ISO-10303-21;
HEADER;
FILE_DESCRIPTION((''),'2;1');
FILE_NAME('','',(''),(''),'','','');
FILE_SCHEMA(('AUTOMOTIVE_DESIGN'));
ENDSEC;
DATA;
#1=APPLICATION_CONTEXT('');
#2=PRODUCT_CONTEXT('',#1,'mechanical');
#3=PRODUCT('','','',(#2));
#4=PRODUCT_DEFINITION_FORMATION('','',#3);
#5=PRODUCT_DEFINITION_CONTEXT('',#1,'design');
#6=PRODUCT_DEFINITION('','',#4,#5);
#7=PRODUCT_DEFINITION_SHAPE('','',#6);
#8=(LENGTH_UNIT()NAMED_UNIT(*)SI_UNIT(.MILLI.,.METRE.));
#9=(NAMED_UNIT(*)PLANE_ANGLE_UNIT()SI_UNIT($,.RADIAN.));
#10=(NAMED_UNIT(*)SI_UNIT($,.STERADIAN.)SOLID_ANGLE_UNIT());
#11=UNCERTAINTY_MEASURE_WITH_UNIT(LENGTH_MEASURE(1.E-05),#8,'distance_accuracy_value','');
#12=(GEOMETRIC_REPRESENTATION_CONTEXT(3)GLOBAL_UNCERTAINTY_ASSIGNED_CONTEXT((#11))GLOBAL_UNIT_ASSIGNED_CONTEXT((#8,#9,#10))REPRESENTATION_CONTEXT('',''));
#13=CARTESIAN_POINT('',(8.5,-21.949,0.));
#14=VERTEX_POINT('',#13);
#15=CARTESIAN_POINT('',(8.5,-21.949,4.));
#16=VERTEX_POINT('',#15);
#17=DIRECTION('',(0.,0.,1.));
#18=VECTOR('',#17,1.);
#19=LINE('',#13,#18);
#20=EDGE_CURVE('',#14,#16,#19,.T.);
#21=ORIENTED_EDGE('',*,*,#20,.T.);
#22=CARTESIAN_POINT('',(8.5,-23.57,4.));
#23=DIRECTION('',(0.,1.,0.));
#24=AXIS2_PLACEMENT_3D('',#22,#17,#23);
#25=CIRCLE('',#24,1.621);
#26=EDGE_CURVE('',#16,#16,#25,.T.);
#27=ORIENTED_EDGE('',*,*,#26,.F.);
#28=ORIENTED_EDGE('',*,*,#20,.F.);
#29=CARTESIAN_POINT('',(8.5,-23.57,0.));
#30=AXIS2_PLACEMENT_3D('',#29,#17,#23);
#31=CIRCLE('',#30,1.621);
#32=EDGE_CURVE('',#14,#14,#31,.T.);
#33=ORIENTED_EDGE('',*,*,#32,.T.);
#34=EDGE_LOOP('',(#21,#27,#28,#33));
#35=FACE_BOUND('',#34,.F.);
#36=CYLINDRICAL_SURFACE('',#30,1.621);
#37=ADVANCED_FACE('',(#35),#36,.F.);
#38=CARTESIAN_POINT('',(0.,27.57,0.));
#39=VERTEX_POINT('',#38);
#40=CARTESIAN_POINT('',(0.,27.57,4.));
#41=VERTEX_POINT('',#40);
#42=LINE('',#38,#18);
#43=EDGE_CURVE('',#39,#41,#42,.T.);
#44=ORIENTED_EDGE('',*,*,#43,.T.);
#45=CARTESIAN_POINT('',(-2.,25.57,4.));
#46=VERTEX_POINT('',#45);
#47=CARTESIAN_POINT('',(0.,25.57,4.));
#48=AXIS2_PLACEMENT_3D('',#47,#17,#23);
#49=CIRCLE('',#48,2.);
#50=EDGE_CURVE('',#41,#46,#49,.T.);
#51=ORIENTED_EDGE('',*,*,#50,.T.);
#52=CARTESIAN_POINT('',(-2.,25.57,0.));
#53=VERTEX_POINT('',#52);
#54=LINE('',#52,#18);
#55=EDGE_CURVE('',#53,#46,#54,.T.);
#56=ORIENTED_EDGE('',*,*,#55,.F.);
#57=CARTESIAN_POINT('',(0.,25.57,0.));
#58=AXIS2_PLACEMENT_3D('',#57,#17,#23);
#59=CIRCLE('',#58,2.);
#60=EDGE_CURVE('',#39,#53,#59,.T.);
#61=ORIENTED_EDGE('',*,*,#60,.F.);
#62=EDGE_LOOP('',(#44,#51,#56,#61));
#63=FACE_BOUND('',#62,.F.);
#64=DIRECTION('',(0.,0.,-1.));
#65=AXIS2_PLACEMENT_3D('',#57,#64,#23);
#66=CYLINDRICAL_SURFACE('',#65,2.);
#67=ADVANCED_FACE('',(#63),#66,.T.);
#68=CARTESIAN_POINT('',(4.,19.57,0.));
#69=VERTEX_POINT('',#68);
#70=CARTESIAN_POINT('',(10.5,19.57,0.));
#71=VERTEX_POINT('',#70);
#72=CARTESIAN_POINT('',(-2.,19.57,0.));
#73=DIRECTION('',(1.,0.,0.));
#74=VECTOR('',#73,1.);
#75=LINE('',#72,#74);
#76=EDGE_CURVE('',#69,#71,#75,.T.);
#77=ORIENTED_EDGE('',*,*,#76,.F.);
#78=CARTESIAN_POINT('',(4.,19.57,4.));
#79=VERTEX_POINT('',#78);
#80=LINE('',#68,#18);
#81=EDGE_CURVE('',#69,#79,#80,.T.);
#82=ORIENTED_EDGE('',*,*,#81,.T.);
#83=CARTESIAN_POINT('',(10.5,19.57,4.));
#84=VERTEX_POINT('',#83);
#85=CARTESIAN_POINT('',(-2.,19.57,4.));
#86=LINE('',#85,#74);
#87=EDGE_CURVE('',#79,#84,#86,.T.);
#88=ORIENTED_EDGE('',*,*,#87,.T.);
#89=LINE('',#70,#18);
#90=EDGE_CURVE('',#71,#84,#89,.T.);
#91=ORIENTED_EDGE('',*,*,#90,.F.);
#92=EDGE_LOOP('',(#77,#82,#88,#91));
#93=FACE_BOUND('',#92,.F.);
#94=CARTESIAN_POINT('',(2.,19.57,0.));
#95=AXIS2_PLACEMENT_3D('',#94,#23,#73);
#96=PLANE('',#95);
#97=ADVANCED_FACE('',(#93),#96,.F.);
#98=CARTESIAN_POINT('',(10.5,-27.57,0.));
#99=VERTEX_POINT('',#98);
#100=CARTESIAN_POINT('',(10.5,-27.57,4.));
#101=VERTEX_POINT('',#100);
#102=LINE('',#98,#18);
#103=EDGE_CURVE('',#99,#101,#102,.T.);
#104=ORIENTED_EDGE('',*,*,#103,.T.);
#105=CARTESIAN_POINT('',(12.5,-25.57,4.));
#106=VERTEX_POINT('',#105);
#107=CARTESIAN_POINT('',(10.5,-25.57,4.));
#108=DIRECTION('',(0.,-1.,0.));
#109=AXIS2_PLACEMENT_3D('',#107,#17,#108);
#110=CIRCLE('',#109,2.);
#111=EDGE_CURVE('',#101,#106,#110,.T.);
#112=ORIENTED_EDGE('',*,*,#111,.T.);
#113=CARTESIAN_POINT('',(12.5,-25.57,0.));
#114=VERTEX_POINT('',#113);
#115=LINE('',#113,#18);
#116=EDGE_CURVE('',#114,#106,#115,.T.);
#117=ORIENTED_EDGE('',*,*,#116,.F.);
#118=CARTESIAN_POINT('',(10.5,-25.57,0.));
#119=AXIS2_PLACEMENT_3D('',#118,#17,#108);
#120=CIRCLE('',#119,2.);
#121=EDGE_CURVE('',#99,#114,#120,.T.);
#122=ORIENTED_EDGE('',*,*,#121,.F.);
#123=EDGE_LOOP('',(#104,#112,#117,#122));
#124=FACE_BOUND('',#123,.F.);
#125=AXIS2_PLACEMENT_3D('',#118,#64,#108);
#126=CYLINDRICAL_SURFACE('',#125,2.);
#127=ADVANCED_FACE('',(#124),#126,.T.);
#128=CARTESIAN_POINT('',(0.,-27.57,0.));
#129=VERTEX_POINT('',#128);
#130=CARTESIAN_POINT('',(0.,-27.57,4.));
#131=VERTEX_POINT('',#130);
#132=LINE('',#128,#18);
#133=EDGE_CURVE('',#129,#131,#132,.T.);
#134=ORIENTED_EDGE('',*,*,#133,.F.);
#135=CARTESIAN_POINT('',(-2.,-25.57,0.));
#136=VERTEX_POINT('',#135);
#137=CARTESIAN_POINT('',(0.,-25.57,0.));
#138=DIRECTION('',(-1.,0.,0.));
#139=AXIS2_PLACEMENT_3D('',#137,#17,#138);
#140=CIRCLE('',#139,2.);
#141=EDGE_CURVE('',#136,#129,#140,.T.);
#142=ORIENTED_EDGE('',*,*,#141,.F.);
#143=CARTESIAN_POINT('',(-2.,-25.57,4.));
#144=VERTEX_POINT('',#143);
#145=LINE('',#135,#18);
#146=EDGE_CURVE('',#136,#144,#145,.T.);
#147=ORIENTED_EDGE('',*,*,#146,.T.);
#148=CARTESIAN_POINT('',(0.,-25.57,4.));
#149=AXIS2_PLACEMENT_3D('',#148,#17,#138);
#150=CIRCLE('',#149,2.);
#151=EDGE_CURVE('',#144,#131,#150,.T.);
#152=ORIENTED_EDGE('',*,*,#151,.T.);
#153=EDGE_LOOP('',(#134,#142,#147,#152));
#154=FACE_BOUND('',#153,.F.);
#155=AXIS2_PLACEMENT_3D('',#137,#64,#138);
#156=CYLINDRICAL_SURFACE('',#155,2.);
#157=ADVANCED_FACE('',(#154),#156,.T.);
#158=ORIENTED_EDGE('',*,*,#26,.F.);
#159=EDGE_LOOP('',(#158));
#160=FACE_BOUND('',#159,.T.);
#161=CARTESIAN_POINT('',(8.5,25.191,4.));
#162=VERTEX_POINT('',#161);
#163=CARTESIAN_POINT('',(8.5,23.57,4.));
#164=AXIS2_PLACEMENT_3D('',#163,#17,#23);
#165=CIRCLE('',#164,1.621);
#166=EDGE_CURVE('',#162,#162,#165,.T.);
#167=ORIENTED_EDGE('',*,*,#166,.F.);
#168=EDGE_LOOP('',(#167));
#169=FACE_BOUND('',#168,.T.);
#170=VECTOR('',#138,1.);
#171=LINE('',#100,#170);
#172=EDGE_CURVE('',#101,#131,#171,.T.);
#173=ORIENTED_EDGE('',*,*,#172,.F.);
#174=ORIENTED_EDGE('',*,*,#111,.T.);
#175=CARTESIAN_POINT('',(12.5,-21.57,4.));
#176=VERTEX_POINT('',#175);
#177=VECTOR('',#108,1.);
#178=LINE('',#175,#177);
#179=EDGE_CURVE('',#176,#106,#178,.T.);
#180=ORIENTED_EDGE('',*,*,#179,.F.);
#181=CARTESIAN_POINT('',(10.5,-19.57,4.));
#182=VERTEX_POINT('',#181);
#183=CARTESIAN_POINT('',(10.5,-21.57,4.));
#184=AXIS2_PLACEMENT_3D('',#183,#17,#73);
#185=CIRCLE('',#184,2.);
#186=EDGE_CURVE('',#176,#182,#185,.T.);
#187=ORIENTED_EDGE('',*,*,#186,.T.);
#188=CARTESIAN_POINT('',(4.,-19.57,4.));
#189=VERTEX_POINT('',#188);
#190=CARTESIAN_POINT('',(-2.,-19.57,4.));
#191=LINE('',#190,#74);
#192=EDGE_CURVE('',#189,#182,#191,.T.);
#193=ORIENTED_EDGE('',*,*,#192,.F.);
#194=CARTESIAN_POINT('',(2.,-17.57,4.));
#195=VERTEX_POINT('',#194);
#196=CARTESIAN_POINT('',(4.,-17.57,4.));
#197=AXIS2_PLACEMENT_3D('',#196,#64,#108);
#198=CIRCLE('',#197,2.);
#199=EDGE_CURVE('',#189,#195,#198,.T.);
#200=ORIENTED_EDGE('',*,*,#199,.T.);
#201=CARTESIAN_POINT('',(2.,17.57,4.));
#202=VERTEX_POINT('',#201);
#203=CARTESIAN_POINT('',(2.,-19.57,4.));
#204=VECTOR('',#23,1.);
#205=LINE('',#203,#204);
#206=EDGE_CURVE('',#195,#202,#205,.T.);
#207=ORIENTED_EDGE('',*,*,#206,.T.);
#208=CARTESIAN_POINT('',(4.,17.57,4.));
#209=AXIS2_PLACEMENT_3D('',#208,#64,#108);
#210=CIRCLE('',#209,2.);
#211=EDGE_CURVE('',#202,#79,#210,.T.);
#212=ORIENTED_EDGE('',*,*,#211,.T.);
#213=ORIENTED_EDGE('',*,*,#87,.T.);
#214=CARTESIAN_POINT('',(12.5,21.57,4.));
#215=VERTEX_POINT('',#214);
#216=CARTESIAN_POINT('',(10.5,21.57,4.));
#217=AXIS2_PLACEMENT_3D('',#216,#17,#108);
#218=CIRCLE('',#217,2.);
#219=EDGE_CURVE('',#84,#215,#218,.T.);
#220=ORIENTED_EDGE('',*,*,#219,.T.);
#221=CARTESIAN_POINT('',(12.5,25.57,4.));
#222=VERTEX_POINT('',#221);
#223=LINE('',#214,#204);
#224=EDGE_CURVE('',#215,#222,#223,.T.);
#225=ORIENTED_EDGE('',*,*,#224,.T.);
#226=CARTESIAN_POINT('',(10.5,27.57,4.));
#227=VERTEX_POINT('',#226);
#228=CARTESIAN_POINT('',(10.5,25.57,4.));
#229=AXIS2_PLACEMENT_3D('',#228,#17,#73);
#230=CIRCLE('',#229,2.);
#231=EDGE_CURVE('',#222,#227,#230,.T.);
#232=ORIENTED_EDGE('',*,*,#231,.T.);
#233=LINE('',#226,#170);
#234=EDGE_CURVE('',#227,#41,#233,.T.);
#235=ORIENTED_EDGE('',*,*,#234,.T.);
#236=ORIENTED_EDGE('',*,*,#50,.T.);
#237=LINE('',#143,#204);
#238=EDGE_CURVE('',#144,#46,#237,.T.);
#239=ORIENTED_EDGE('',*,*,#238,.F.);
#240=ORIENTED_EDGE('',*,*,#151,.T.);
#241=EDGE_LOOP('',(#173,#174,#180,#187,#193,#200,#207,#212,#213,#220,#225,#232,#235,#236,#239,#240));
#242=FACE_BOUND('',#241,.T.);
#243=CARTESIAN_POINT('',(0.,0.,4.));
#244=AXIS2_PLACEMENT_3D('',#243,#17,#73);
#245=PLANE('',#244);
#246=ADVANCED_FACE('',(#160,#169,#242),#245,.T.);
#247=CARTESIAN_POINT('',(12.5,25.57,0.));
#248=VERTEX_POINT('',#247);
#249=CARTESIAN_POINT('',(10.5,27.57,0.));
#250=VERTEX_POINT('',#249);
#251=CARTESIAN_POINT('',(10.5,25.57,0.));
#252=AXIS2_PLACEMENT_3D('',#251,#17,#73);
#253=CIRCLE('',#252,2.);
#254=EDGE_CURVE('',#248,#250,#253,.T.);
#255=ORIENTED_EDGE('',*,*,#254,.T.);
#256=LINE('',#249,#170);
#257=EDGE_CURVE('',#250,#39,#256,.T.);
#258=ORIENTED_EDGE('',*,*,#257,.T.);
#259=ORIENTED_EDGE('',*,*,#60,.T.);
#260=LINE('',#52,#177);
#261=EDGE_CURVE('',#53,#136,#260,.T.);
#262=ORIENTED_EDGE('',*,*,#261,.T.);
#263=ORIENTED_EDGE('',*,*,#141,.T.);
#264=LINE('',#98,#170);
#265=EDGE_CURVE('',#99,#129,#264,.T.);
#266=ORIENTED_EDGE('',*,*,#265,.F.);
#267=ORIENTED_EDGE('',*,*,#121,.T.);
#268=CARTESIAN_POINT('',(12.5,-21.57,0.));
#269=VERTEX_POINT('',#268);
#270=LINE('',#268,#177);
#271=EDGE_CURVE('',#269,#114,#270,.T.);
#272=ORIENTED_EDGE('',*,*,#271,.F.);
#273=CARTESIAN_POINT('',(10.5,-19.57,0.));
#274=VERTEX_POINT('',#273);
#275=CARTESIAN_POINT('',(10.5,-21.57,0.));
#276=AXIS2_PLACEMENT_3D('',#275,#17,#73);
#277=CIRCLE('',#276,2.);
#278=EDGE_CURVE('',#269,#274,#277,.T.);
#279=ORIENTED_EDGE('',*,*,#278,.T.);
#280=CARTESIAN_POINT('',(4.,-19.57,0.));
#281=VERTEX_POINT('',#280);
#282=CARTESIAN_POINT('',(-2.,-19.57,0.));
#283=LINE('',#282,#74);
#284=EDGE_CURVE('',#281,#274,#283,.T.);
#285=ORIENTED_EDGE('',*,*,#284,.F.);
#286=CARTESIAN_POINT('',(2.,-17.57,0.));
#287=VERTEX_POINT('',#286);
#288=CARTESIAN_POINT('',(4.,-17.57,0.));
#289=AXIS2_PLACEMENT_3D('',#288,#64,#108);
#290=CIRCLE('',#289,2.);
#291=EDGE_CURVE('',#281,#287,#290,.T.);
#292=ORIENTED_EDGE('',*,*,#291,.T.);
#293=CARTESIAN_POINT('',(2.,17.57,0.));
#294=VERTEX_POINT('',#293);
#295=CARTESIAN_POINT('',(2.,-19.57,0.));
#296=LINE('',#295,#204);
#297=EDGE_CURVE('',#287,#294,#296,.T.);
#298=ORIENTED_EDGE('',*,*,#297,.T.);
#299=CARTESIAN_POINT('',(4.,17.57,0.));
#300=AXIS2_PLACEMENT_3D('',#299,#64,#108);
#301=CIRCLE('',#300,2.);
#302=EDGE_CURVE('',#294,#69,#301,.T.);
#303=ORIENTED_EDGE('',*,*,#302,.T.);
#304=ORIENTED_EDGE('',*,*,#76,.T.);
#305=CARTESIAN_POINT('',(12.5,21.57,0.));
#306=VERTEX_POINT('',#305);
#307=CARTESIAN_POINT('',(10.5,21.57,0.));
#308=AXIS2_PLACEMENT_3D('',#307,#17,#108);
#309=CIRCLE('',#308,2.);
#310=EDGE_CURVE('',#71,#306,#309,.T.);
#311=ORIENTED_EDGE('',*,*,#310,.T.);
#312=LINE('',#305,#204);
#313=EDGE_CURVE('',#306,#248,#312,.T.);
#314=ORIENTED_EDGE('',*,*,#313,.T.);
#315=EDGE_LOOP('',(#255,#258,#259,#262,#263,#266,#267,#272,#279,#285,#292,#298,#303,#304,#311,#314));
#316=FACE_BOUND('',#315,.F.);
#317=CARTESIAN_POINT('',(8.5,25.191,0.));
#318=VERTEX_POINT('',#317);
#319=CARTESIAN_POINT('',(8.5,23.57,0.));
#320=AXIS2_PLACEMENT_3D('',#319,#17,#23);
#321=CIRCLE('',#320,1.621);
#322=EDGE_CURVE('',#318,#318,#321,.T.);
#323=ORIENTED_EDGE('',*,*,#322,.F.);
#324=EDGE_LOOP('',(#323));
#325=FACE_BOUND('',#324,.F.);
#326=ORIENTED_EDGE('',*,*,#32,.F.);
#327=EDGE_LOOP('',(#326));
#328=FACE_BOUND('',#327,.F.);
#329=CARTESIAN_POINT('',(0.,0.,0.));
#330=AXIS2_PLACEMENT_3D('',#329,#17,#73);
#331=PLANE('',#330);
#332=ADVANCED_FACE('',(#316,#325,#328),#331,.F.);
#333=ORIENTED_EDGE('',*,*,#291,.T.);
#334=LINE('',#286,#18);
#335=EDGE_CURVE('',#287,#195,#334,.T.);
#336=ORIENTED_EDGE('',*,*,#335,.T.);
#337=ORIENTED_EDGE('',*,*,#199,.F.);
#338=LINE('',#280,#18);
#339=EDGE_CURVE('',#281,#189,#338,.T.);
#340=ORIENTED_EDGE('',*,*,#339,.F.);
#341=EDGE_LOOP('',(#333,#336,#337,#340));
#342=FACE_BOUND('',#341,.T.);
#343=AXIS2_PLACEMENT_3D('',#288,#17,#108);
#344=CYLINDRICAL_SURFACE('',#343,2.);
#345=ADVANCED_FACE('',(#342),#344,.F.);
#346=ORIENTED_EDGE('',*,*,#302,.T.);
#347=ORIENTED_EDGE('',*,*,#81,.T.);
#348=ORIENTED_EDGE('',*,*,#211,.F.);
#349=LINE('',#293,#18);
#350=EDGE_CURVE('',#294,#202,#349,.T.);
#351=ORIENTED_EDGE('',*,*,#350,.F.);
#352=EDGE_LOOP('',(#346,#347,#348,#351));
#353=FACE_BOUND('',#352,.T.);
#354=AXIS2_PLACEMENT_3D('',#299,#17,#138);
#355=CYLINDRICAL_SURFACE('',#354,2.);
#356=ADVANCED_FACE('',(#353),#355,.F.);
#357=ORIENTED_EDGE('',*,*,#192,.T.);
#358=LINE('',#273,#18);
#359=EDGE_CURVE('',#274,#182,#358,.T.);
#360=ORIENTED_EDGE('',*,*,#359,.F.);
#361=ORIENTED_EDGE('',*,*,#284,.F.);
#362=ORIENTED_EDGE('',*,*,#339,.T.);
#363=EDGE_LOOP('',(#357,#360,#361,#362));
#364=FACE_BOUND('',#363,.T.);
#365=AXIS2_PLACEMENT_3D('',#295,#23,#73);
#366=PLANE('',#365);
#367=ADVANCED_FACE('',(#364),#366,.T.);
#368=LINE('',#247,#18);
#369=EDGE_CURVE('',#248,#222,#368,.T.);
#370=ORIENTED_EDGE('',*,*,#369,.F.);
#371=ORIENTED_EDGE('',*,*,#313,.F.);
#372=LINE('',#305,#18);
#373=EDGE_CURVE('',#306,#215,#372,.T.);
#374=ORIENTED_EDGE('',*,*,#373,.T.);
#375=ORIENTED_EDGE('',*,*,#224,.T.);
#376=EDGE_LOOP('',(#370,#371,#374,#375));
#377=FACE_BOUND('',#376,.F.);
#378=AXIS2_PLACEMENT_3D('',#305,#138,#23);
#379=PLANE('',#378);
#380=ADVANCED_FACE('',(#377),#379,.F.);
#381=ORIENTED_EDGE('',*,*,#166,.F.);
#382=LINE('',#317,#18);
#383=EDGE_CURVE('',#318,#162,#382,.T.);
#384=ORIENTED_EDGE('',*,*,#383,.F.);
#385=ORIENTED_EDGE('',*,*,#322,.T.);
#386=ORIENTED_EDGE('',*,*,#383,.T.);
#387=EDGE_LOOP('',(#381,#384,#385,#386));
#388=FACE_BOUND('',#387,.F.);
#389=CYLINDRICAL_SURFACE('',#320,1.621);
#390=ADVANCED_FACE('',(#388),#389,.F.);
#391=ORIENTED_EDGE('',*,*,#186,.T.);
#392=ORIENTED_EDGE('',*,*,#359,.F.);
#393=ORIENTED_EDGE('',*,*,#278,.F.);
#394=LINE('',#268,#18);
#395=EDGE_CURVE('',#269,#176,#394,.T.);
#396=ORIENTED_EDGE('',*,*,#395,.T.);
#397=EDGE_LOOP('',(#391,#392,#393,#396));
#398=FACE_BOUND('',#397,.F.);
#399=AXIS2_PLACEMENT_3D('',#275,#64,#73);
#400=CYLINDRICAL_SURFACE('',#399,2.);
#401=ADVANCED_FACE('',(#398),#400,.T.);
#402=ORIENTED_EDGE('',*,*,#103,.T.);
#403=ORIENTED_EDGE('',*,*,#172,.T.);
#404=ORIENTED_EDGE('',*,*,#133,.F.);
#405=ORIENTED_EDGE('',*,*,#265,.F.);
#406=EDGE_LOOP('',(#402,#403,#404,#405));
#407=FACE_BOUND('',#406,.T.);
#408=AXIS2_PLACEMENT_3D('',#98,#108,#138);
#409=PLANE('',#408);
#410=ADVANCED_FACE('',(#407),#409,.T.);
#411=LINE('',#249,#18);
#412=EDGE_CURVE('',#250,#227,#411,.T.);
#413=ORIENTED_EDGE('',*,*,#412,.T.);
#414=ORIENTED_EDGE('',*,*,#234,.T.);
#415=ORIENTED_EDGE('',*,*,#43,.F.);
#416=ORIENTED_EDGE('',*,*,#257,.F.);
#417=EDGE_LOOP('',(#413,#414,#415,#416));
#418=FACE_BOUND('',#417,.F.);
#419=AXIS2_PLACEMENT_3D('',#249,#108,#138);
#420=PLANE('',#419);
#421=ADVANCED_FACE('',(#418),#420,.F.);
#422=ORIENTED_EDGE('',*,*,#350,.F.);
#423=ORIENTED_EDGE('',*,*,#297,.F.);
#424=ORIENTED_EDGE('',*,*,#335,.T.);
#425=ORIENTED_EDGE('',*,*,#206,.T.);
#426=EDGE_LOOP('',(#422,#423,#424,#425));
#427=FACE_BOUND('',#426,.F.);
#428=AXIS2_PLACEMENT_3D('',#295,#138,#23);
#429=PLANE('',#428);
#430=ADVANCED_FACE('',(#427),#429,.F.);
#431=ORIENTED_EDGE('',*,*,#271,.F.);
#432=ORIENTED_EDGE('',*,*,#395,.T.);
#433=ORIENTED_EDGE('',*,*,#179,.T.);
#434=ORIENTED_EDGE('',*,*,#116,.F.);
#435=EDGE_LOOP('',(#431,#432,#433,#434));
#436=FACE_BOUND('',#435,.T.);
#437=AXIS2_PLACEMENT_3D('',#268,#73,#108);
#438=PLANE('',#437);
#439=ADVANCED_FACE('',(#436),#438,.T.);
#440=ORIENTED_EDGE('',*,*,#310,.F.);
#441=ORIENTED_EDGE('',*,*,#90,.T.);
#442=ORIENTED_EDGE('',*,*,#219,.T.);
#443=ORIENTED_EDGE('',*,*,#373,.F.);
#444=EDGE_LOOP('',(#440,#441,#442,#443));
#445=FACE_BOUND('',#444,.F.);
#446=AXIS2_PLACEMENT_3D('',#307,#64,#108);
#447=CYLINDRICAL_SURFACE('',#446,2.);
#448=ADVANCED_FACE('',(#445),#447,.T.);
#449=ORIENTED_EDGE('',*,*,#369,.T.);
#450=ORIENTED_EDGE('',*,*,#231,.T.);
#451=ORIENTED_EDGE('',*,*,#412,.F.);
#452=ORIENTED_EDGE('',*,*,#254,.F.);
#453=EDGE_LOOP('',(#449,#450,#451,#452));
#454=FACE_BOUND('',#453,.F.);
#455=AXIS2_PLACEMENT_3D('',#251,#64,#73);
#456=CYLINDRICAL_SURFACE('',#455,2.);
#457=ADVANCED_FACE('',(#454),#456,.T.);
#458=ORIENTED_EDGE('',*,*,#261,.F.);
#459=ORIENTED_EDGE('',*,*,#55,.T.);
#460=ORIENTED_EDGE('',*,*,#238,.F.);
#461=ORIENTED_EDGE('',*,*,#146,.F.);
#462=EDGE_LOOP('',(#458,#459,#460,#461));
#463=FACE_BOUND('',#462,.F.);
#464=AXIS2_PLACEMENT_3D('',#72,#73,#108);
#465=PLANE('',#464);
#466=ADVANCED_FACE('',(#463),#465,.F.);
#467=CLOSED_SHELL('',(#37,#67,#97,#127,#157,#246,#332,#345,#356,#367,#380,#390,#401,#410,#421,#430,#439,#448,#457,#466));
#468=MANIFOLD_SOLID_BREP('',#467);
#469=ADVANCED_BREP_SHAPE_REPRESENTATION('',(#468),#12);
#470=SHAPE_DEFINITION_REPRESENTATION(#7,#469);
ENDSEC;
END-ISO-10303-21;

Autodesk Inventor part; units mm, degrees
ref_plane "YZ Plane" through (0, 0, 0) normal (1, 0, 0) x (0, 1, 0)
ref_plane "XZ Plane" through (0, 0, 0) normal (0, 1, 0) x (-1, 0, 0)
ref_plane "XY Plane" through (0, 0, 0) normal (0, 0, 1) x (1, 0, 0)
sketch "Skizze1" plane through (0, 0, 0) normal (0, 0, 1) x (1, 0, 0)
  line L0 (-2, -19.57) -> (2, -19.57)
  line L1 (2, -19.57) -> (2, 19.57)
  line L2 (2, 19.57) -> (-2, 19.57)
  line L3 (-2, 19.57) -> (-2, -19.57)
  line L4 (-2, -19.57) -> (2, 19.57) construction
  line L5 (2, -19.57) -> (-2, 19.57) construction
  line L6 (-2, 19.57) -> (10.5, 19.57)
  line L7 (12.5, 21.57) -> (12.5, 25.57)
  line L8 (10.5, 27.57) -> (0, 27.57)
  line L9 (-2, 25.57) -> (-2, 19.57)
  line L10 (-2, -19.57) -> (10.5, -19.57)
  line L11 (12.5, -21.57) -> (12.5, -25.57)
  line L12 (10.5, -27.57) -> (0, -27.57)
  line L13 (-2, -25.57) -> (-2, -19.57)
  line L14 (8.5, -23.57) -> (8.5, 23.57) construction
  circle A0 centre (8.5, -23.57) radius 4 construction
  circle A1 centre (8.5, 23.57) radius 4 construction
  circle A2 centre (8.5, 23.57) radius 2
  arc A3 (12.5, 25.57) -> (10.5, 27.57) centre (10.5, 25.57) ccw
  arc A4 (10.5, 19.57) -> (12.5, 21.57) centre (10.5, 21.57) ccw
  arc A5 (0, 27.57) -> (-2, 25.57) centre (0, 25.57) ccw
  arc A6 (-2, -25.57) -> (0, -27.57) centre (0, -25.57) ccw
  arc A7 (10.5, -27.57) -> (12.5, -25.57) centre (10.5, -25.57) ccw
  arc A8 (12.5, -21.57) -> (10.5, -19.57) centre (10.5, -21.57) ccw
  point P0 (0, 0)
  point P1 (12.5, -27.57)
  dimension "d0" = 47.14
  dimension "d1" = 6.5
  dimension "d2" = 4
  dimension "d3" = 8
  dimension "d4" = 4
  dimension "d5" = 2
extrude "Extrusion1" add sketch "Skizze1" along normal blind 4 contours L3 L2 L1 L0 | L0 L10 A8 L11 A7 L12 A6 L13 | L9 A5 L8 A3 L7 A4 L6 L2 | A2
hole "Bohrung1" at (8.5, 23.57, 0) at (8.5, -23.57, 0) direction (0, 0, 1) diameter 3.242 depth 11.8 tip angle 118 thread size "M4x0.7" class "6H" standard "ANSI Metric M Profile"
fillet "Rundung1" radius 2 2 edges at (2, -19.57, 2) (2, 19.57, 2)
properties part number "Nema23_24Mount" material "Aluminium 6061"
